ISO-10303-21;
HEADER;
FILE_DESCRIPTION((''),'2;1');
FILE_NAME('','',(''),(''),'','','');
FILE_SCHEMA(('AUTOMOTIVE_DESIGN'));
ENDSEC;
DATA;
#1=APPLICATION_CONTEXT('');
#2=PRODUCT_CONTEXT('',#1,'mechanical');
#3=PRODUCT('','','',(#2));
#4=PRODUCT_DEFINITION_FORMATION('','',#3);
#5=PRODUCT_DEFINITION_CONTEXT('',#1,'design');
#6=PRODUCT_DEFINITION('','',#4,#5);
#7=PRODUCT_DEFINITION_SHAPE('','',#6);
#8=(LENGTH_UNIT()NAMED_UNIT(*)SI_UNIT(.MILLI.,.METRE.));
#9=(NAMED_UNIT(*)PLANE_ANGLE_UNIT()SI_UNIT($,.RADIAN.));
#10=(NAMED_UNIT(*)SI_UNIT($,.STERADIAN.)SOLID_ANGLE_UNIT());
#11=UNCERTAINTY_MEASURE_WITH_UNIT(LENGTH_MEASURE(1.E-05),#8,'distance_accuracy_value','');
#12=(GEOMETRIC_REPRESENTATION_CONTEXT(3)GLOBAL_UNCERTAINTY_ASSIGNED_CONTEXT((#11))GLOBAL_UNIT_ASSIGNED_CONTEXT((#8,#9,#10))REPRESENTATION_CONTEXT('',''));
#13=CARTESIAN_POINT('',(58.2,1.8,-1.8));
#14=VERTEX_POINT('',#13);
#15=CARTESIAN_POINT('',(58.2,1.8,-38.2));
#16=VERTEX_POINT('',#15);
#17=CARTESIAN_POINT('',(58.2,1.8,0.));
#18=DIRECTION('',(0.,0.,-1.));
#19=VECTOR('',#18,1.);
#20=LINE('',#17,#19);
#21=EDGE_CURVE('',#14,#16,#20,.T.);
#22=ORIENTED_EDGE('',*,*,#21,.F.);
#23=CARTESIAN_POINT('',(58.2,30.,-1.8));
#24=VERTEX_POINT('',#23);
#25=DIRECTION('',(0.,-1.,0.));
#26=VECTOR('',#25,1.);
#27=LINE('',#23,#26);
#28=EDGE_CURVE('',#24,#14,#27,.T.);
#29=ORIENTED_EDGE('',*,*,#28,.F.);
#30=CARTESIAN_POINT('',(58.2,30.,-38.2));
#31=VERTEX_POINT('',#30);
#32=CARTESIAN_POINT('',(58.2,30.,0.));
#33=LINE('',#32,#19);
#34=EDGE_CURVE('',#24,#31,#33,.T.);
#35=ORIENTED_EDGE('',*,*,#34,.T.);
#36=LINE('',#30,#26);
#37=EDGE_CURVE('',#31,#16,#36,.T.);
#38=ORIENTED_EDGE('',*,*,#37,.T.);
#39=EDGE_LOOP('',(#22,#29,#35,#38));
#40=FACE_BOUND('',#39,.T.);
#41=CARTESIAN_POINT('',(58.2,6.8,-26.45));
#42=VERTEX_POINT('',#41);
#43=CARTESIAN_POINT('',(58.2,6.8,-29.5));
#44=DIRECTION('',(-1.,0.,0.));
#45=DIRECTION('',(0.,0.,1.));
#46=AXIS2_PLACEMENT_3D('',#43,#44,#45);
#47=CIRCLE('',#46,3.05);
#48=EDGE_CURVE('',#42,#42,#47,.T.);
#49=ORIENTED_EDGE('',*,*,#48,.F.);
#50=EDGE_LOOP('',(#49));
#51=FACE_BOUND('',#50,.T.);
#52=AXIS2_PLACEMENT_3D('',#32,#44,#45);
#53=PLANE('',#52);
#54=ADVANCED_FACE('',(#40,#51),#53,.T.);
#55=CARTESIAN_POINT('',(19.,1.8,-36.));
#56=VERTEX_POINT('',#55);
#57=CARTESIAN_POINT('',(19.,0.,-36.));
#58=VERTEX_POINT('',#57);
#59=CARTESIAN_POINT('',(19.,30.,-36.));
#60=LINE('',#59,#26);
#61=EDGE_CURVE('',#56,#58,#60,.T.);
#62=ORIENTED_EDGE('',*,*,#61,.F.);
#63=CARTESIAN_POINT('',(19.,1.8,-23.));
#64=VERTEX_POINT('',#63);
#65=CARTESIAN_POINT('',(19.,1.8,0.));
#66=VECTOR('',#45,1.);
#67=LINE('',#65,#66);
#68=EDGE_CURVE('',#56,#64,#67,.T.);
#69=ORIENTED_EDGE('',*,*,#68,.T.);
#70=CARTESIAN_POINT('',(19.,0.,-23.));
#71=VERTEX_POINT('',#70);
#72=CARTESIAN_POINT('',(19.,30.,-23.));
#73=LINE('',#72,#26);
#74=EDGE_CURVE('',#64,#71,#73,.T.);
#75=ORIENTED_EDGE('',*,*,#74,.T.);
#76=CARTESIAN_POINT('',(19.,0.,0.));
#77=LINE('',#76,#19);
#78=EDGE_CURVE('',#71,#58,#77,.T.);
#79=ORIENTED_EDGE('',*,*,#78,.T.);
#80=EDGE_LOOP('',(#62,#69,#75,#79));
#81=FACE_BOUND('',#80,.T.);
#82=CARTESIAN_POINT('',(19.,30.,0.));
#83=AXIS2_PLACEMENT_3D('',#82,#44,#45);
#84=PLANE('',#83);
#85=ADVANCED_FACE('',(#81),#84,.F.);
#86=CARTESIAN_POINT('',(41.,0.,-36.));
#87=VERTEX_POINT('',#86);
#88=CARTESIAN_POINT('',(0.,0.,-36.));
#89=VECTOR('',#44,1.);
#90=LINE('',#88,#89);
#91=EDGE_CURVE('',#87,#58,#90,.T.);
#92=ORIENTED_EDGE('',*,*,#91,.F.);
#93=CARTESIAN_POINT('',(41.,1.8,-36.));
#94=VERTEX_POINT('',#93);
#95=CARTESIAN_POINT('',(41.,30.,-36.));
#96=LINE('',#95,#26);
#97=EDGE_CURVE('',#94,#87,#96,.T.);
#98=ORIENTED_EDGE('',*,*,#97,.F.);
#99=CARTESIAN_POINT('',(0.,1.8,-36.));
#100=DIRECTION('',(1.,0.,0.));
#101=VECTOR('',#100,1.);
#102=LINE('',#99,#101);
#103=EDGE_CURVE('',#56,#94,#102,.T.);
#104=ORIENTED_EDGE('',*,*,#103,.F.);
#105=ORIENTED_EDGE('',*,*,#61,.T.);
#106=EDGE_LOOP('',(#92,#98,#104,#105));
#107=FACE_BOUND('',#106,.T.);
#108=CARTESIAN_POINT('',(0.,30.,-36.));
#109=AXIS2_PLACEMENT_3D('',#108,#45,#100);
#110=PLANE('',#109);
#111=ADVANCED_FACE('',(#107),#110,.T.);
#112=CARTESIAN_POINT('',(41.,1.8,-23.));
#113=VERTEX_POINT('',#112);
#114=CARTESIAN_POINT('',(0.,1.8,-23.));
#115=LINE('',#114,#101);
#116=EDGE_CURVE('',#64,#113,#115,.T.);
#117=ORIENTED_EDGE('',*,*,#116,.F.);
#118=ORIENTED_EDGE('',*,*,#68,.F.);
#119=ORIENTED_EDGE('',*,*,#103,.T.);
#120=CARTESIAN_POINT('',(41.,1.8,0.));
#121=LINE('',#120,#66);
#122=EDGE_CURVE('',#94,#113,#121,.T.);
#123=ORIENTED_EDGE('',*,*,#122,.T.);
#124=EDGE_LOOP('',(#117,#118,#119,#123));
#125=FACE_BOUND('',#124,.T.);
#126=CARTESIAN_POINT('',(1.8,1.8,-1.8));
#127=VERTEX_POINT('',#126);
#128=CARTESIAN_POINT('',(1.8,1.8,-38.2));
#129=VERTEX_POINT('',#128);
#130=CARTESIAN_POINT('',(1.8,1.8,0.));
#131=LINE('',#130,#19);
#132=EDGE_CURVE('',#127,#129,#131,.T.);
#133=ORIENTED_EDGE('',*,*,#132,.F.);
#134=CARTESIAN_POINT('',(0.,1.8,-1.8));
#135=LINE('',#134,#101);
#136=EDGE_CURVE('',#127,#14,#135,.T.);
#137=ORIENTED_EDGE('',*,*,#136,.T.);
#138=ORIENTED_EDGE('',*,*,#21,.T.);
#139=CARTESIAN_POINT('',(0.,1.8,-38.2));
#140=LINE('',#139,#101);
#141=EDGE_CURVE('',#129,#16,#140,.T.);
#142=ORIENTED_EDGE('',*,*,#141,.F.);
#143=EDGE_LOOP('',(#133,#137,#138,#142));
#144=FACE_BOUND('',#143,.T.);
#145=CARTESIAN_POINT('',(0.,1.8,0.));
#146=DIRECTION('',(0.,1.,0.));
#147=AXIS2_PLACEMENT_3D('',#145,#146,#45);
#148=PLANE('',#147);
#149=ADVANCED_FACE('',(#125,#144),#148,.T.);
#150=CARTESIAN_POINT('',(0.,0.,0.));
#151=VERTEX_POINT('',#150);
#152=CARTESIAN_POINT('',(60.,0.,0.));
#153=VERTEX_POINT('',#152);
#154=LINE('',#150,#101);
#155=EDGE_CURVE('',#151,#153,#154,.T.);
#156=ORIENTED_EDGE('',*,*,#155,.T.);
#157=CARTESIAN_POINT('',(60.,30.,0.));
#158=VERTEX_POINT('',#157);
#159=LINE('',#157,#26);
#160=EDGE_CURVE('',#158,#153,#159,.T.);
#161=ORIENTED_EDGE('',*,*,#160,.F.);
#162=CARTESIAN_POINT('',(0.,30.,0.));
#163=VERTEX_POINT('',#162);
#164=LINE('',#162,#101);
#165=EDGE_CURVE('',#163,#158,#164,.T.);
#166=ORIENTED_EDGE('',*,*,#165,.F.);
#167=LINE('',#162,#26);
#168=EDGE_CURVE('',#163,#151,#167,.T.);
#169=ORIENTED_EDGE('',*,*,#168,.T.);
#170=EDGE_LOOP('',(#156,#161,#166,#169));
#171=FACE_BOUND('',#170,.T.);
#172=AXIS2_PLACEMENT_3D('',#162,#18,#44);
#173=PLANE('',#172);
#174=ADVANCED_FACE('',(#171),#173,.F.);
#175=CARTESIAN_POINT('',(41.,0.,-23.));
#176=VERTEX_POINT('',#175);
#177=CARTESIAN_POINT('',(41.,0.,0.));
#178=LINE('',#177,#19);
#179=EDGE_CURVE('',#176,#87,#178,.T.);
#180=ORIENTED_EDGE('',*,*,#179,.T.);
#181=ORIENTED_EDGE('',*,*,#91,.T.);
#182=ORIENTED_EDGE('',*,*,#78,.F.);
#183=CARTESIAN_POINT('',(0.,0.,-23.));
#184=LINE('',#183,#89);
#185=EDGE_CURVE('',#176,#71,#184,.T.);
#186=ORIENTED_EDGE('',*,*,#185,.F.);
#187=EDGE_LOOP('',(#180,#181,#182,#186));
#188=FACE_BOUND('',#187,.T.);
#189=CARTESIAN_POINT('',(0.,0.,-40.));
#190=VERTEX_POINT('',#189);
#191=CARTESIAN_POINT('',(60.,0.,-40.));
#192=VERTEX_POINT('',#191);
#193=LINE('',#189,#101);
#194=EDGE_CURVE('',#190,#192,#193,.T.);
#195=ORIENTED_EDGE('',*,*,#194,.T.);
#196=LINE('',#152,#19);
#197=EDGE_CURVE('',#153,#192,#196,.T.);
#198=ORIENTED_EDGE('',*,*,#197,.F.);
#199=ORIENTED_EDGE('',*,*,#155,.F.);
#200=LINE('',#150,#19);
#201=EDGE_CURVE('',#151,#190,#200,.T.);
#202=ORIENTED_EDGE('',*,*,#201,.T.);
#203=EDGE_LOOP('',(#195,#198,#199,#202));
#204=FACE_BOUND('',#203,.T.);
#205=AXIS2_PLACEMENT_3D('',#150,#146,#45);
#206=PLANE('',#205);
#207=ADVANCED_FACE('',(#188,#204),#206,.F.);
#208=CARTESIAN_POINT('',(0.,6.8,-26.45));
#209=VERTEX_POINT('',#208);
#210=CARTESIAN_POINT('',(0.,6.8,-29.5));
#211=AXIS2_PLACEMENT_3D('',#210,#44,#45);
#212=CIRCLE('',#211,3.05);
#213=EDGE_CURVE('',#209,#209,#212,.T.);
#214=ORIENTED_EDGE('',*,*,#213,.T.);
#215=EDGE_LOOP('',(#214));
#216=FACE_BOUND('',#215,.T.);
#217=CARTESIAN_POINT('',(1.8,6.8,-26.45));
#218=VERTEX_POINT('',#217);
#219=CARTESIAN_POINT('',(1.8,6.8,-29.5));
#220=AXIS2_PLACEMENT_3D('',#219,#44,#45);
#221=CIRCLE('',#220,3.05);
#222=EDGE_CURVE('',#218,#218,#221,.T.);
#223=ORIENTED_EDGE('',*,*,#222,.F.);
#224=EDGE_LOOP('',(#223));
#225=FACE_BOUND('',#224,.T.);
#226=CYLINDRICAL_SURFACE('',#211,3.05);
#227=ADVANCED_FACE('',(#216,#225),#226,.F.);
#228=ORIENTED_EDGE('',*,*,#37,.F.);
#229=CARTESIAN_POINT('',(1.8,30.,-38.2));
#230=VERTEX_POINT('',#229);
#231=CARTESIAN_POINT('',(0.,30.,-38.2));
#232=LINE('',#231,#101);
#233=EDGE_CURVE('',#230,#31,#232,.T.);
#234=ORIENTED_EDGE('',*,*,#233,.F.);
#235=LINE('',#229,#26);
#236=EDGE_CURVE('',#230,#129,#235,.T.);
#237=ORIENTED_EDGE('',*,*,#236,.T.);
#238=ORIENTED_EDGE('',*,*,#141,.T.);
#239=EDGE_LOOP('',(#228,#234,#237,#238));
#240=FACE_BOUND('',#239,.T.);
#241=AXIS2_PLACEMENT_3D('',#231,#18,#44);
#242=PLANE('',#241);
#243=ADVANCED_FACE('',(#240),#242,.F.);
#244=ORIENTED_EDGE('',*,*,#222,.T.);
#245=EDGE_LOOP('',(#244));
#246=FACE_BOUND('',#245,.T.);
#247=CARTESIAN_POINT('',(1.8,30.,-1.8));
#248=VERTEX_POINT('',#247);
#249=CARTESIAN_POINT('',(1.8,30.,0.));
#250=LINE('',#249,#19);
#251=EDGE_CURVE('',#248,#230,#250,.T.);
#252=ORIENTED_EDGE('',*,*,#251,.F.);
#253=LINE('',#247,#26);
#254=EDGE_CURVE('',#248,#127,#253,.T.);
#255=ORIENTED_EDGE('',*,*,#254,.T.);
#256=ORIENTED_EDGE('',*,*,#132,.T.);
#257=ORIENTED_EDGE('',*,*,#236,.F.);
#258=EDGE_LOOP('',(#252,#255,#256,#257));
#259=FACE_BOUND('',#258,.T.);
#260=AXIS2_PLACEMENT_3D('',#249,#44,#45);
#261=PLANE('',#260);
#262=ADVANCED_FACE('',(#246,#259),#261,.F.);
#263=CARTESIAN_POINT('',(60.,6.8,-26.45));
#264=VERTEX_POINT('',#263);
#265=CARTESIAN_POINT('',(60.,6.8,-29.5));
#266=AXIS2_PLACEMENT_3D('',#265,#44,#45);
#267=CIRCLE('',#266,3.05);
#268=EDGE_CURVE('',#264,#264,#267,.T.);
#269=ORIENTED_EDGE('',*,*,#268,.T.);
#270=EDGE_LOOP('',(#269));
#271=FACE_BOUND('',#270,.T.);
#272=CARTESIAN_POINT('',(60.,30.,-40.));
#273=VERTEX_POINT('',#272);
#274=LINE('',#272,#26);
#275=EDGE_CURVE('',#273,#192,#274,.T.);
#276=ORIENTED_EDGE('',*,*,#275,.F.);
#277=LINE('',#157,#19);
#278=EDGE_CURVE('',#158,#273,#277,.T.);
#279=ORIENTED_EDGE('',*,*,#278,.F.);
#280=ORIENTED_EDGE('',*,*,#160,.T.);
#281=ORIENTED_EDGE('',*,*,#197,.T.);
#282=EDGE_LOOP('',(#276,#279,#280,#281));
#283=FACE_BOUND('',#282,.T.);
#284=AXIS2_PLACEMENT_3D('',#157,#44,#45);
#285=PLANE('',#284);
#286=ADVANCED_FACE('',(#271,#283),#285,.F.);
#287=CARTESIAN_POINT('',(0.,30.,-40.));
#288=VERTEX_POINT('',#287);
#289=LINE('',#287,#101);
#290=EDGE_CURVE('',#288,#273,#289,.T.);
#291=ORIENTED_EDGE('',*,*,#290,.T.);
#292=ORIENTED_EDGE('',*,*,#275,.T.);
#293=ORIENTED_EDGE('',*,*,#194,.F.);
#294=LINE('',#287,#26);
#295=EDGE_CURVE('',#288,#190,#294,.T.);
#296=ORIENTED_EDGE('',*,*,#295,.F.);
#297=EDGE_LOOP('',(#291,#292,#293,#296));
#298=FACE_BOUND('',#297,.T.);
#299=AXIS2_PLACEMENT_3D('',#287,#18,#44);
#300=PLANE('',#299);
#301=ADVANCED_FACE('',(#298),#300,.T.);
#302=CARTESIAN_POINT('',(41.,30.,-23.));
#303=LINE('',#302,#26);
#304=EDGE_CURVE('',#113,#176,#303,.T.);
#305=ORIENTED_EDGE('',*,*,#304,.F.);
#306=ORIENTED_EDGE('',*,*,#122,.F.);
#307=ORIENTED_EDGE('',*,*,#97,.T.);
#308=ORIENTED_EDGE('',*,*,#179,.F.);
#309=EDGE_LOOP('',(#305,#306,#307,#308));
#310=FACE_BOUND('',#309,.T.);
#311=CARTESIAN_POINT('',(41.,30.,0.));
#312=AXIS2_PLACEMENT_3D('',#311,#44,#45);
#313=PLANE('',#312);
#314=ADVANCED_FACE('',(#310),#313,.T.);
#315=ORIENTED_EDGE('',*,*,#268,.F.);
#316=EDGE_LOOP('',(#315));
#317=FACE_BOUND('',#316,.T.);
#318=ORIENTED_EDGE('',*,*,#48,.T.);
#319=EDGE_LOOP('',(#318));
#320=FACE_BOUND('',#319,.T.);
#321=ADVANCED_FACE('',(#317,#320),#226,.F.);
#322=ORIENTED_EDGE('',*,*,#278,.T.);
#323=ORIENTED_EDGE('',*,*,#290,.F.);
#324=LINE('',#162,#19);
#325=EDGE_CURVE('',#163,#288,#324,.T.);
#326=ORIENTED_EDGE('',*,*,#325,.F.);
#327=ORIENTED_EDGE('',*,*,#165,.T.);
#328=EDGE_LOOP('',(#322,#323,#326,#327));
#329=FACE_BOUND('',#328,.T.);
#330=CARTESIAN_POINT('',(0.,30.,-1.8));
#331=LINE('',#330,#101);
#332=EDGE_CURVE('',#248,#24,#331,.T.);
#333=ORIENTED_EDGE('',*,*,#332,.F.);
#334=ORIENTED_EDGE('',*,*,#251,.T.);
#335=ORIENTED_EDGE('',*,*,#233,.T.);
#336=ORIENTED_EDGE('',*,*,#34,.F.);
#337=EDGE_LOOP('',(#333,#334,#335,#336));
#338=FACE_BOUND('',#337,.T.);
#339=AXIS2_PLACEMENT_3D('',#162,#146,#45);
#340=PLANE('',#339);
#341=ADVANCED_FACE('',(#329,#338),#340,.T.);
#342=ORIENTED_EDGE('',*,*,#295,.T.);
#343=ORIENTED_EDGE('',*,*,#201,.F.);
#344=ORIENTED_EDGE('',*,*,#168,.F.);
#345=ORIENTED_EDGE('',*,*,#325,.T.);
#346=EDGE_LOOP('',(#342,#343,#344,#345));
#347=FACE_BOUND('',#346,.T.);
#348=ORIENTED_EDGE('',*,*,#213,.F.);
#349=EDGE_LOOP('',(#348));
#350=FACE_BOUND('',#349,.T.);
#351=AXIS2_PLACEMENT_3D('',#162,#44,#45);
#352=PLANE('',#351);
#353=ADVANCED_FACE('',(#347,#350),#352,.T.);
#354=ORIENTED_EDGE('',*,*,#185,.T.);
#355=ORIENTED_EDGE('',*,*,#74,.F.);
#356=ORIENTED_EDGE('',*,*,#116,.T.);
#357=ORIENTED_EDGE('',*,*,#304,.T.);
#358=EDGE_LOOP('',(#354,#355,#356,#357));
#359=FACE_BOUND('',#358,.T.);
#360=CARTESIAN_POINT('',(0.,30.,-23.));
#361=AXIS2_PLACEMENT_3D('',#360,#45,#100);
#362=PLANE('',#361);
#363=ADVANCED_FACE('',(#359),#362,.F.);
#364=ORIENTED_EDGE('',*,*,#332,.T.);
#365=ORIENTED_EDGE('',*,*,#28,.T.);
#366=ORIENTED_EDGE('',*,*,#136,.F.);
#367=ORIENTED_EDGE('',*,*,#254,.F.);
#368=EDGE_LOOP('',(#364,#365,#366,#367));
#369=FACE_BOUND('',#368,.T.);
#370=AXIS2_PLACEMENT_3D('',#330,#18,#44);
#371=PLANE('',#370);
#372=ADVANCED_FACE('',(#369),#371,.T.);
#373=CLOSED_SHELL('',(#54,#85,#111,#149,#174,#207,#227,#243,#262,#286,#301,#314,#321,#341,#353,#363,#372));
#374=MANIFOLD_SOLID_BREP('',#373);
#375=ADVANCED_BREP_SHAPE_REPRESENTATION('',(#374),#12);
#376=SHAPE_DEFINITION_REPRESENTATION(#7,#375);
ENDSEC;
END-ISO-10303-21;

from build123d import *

# Parameters (mm, degrees)
SKETCH2_W             = 60
SKETCH2_H             = 40
BOSS_EXTRUDE1_DEPTH   = 30
SHELL2_T              = -1.8
SKETCH2_6_W           = 22
SKETCH2_6_H           = 13
CUT_EXTRUDE4_DEPTH    = 30
F_6_0MM_DOWEL_HOLE1_D = 6.1


with BuildPart() as part:
    # Sketch2 → Boss-Extrude1 (new body)
    with BuildSketch(Plane(origin=(0, 0, 0), x_dir=(1, 0, 0), z_dir=(0, 1, 0))):
        with Locations((30, 20)):
            Rectangle(SKETCH2_W, SKETCH2_H)
    extrude(amount=BOSS_EXTRUDE1_DEPTH)

    # Shell2
    shell2_openings = [part.faces().sort_by_distance(p)[0] for p in [
        (30, 30, -20),
    ]]
    offset(amount=SHELL2_T, openings=shell2_openings, kind=Kind.INTERSECTION)

    # Sketch2<6> → Cut-Extrude4 (cut)
    with BuildSketch(Plane(origin=(0, 0, 0), x_dir=(1, 0, 0), z_dir=(0, 1, 0))):
        with Locations((30, 29.5)):
            Rectangle(SKETCH2_6_W, SKETCH2_6_H)
    extrude(amount=CUT_EXTRUDE4_DEPTH, mode=Mode.SUBTRACT)

    # Ø6.0mm Dowel Hole1 (through all)
    with Locations(Plane.ZY):
        with Locations((-29.5, 6.8)):
            Hole(F_6_0MM_DOWEL_HOLE1_D / 2)


solid = part.part
